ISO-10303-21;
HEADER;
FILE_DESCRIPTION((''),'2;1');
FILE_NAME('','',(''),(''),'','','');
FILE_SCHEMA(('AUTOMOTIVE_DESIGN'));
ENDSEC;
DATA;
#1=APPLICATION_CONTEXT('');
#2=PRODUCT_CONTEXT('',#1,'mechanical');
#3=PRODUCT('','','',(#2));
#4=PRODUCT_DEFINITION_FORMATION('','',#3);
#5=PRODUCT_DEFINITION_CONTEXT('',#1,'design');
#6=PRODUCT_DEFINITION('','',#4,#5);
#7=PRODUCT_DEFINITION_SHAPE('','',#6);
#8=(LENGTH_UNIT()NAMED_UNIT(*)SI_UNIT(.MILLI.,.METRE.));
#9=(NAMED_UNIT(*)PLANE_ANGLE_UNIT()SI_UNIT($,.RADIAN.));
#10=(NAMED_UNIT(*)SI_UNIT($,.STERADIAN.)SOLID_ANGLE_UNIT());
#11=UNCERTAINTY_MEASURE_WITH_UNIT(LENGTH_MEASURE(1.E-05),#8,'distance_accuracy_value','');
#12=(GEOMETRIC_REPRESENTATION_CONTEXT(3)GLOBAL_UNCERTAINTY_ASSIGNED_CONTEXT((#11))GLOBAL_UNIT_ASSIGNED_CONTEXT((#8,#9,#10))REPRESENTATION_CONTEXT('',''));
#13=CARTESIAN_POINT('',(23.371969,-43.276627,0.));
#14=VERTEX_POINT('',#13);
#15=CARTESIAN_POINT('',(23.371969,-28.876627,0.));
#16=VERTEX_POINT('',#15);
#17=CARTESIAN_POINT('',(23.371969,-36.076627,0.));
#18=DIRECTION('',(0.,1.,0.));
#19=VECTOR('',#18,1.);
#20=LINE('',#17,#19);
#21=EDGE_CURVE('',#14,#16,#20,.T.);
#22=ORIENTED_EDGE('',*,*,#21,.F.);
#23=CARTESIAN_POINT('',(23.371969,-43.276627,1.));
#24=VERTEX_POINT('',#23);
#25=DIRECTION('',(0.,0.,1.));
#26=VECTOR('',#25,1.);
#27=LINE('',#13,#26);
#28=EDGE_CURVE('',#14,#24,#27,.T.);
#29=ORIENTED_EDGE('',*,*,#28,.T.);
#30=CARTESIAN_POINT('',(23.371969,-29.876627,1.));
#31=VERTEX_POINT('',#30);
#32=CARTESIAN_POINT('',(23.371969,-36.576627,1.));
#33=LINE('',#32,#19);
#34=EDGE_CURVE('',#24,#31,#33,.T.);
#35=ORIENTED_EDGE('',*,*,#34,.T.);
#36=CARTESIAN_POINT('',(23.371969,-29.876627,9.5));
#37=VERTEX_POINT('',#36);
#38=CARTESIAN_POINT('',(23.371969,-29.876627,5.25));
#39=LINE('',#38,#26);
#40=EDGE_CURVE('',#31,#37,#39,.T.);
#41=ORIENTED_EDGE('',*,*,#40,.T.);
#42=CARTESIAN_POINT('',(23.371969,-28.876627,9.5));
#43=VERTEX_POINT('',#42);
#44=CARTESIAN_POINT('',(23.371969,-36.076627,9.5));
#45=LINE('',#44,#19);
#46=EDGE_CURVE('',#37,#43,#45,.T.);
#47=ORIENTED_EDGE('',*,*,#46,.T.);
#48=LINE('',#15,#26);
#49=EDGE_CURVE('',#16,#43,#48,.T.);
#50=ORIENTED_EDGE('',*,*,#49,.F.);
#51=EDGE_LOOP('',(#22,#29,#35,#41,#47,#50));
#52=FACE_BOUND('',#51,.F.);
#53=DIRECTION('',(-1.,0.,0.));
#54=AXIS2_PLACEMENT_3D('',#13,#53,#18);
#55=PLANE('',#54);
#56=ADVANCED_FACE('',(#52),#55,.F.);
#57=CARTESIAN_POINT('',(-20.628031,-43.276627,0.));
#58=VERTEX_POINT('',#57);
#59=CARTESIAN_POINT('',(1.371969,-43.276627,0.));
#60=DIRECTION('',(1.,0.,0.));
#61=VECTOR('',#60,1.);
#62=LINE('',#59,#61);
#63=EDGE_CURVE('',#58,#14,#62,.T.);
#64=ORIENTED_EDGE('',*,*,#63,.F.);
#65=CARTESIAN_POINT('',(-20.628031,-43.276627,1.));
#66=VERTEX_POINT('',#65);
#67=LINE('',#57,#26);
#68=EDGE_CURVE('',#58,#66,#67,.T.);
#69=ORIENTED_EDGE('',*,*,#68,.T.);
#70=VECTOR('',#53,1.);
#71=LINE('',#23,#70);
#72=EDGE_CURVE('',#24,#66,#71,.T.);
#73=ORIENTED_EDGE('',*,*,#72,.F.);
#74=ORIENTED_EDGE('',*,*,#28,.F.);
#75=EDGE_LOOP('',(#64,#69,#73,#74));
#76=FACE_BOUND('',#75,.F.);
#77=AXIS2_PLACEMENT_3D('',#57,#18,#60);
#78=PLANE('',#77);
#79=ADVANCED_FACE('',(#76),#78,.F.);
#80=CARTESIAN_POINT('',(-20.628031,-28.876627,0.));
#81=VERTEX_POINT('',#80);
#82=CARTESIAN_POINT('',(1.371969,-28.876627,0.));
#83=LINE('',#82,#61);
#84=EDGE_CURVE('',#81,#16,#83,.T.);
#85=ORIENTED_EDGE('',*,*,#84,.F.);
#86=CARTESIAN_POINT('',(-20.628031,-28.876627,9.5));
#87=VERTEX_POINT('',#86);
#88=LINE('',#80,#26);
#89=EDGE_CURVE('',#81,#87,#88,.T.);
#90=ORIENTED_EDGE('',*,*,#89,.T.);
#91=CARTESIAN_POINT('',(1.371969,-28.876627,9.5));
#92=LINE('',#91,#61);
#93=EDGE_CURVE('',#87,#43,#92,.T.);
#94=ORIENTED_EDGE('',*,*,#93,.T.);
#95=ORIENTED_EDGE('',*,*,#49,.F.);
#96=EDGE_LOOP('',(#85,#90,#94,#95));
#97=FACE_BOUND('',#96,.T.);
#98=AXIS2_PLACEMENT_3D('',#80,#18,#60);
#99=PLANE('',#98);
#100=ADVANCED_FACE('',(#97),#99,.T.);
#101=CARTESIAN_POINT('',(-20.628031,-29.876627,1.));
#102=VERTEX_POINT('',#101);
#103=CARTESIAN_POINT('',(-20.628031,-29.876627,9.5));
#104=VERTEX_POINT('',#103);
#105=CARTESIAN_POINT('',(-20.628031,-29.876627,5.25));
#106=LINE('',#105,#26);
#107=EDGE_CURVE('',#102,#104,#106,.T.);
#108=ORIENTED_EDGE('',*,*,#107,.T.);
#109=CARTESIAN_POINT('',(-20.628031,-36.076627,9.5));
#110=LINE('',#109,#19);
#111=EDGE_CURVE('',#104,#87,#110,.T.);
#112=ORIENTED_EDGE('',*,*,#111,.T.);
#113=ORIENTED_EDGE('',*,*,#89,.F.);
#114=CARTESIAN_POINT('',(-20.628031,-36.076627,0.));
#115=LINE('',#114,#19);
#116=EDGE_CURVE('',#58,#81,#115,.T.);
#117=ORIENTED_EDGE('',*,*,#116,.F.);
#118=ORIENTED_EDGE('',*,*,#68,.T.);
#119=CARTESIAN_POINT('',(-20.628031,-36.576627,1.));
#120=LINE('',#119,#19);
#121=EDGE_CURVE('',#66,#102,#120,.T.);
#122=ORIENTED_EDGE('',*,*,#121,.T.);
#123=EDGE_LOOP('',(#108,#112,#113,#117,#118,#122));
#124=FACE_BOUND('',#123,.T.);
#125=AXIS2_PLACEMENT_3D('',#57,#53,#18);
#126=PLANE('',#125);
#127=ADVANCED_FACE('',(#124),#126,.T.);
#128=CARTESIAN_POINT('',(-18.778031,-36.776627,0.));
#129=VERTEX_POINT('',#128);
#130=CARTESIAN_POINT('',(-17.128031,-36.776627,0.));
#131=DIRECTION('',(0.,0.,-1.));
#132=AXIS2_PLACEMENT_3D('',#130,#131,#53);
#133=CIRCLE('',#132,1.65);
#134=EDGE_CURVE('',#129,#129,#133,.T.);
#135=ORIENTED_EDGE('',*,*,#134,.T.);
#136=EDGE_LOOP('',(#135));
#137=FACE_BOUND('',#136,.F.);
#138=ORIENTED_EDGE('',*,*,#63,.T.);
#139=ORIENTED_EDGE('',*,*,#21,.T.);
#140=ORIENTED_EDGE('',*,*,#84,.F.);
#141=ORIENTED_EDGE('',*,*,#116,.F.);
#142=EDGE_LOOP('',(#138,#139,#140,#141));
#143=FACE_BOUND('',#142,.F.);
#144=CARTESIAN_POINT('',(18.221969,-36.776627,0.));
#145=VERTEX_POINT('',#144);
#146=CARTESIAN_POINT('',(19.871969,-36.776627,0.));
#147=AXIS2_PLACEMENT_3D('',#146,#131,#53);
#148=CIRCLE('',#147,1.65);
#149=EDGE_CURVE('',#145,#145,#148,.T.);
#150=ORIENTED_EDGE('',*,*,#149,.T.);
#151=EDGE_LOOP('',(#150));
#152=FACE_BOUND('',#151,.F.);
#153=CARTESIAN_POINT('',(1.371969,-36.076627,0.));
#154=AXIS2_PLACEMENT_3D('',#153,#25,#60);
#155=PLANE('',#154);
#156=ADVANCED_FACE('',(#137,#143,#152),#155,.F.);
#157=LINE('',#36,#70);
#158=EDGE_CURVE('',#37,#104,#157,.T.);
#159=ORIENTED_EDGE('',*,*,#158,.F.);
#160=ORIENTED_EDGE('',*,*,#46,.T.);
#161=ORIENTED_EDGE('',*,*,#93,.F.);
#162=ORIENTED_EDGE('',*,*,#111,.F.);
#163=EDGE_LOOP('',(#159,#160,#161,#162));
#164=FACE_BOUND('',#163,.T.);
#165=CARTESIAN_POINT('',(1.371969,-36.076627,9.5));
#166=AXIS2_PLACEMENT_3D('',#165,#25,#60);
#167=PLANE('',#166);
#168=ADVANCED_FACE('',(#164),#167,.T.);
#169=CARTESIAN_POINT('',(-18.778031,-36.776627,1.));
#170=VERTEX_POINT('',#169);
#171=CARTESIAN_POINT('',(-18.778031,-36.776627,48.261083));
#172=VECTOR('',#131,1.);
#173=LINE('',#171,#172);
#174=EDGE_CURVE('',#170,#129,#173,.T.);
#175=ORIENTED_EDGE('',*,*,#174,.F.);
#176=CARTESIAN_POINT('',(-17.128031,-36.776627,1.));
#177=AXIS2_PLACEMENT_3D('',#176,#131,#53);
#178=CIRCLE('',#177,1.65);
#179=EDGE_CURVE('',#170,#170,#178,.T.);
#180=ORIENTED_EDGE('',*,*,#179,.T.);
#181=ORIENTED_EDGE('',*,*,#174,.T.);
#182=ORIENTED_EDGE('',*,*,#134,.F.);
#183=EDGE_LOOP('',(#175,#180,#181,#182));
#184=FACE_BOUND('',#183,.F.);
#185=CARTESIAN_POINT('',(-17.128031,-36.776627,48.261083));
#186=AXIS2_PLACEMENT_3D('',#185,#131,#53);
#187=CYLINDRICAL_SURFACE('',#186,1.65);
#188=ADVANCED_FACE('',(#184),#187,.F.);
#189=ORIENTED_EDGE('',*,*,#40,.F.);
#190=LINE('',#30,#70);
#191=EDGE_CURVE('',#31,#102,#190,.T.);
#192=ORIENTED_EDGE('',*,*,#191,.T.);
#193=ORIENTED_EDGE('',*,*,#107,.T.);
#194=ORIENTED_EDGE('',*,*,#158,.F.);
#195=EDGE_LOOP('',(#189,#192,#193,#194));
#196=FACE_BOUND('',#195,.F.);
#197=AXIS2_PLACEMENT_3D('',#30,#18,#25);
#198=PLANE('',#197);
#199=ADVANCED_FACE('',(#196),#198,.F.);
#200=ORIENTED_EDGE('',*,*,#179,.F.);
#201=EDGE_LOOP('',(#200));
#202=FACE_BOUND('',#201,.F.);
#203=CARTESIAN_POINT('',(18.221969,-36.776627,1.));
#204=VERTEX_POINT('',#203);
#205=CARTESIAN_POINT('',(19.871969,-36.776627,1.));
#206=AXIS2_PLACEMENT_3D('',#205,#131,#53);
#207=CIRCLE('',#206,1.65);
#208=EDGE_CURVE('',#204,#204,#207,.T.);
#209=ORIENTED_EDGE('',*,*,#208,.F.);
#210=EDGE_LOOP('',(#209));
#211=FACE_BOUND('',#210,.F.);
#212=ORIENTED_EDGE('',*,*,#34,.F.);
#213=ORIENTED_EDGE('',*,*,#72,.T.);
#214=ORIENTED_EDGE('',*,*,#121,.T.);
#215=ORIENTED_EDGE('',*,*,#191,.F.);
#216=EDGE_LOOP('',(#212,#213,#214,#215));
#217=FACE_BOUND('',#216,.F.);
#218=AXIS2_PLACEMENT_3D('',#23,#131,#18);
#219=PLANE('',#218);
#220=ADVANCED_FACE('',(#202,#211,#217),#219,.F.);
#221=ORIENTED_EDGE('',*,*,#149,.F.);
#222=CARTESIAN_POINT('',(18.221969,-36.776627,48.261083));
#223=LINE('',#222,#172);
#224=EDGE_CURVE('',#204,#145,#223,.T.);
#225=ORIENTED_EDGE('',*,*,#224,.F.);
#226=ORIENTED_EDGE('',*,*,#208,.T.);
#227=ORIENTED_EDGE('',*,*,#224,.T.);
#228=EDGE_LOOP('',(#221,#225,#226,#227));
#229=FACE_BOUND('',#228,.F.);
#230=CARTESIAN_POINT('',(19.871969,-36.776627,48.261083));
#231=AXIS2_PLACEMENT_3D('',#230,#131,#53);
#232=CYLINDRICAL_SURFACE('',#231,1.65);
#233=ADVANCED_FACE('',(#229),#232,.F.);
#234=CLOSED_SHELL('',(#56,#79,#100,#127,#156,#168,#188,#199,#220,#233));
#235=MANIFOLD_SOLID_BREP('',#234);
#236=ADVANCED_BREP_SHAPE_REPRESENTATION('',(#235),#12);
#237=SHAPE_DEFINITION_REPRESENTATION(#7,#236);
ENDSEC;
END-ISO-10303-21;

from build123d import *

# Parameters (mm, degrees)
F0_W     = 44
F0_H     = 14.4
F1_DEPTH = 9.5
F2_W     = 13.4
F2_H     = 8.5
F3_DEPTH = 44
F5_D     = 3.3


with BuildPart() as f1:
    # F0 (on Top) → F1 (new body)
    with BuildSketch(Plane.XY):
        with Locations((1.3719686568, -36.0766266167)):
            Rectangle(F0_W, F0_H)
    extrude(amount=F1_DEPTH)

    # F2 (on face) → F3 (cut)
    with BuildSketch(Plane.YZ.offset(23.3719686568)):
        with Locations((-36.5766266167, 5.25)):
            Rectangle(F2_W, F2_H)
    extrude(amount=-F3_DEPTH, mode=Mode.SUBTRACT)

    # F5 (through all)
    with Locations(Plane.XY.offset(1)):
        with Locations((-17.1280313432, -36.7766266167), (19.8719686568, -36.7766266167)):
            Hole(F5_D / 2)


solid = f1.part
